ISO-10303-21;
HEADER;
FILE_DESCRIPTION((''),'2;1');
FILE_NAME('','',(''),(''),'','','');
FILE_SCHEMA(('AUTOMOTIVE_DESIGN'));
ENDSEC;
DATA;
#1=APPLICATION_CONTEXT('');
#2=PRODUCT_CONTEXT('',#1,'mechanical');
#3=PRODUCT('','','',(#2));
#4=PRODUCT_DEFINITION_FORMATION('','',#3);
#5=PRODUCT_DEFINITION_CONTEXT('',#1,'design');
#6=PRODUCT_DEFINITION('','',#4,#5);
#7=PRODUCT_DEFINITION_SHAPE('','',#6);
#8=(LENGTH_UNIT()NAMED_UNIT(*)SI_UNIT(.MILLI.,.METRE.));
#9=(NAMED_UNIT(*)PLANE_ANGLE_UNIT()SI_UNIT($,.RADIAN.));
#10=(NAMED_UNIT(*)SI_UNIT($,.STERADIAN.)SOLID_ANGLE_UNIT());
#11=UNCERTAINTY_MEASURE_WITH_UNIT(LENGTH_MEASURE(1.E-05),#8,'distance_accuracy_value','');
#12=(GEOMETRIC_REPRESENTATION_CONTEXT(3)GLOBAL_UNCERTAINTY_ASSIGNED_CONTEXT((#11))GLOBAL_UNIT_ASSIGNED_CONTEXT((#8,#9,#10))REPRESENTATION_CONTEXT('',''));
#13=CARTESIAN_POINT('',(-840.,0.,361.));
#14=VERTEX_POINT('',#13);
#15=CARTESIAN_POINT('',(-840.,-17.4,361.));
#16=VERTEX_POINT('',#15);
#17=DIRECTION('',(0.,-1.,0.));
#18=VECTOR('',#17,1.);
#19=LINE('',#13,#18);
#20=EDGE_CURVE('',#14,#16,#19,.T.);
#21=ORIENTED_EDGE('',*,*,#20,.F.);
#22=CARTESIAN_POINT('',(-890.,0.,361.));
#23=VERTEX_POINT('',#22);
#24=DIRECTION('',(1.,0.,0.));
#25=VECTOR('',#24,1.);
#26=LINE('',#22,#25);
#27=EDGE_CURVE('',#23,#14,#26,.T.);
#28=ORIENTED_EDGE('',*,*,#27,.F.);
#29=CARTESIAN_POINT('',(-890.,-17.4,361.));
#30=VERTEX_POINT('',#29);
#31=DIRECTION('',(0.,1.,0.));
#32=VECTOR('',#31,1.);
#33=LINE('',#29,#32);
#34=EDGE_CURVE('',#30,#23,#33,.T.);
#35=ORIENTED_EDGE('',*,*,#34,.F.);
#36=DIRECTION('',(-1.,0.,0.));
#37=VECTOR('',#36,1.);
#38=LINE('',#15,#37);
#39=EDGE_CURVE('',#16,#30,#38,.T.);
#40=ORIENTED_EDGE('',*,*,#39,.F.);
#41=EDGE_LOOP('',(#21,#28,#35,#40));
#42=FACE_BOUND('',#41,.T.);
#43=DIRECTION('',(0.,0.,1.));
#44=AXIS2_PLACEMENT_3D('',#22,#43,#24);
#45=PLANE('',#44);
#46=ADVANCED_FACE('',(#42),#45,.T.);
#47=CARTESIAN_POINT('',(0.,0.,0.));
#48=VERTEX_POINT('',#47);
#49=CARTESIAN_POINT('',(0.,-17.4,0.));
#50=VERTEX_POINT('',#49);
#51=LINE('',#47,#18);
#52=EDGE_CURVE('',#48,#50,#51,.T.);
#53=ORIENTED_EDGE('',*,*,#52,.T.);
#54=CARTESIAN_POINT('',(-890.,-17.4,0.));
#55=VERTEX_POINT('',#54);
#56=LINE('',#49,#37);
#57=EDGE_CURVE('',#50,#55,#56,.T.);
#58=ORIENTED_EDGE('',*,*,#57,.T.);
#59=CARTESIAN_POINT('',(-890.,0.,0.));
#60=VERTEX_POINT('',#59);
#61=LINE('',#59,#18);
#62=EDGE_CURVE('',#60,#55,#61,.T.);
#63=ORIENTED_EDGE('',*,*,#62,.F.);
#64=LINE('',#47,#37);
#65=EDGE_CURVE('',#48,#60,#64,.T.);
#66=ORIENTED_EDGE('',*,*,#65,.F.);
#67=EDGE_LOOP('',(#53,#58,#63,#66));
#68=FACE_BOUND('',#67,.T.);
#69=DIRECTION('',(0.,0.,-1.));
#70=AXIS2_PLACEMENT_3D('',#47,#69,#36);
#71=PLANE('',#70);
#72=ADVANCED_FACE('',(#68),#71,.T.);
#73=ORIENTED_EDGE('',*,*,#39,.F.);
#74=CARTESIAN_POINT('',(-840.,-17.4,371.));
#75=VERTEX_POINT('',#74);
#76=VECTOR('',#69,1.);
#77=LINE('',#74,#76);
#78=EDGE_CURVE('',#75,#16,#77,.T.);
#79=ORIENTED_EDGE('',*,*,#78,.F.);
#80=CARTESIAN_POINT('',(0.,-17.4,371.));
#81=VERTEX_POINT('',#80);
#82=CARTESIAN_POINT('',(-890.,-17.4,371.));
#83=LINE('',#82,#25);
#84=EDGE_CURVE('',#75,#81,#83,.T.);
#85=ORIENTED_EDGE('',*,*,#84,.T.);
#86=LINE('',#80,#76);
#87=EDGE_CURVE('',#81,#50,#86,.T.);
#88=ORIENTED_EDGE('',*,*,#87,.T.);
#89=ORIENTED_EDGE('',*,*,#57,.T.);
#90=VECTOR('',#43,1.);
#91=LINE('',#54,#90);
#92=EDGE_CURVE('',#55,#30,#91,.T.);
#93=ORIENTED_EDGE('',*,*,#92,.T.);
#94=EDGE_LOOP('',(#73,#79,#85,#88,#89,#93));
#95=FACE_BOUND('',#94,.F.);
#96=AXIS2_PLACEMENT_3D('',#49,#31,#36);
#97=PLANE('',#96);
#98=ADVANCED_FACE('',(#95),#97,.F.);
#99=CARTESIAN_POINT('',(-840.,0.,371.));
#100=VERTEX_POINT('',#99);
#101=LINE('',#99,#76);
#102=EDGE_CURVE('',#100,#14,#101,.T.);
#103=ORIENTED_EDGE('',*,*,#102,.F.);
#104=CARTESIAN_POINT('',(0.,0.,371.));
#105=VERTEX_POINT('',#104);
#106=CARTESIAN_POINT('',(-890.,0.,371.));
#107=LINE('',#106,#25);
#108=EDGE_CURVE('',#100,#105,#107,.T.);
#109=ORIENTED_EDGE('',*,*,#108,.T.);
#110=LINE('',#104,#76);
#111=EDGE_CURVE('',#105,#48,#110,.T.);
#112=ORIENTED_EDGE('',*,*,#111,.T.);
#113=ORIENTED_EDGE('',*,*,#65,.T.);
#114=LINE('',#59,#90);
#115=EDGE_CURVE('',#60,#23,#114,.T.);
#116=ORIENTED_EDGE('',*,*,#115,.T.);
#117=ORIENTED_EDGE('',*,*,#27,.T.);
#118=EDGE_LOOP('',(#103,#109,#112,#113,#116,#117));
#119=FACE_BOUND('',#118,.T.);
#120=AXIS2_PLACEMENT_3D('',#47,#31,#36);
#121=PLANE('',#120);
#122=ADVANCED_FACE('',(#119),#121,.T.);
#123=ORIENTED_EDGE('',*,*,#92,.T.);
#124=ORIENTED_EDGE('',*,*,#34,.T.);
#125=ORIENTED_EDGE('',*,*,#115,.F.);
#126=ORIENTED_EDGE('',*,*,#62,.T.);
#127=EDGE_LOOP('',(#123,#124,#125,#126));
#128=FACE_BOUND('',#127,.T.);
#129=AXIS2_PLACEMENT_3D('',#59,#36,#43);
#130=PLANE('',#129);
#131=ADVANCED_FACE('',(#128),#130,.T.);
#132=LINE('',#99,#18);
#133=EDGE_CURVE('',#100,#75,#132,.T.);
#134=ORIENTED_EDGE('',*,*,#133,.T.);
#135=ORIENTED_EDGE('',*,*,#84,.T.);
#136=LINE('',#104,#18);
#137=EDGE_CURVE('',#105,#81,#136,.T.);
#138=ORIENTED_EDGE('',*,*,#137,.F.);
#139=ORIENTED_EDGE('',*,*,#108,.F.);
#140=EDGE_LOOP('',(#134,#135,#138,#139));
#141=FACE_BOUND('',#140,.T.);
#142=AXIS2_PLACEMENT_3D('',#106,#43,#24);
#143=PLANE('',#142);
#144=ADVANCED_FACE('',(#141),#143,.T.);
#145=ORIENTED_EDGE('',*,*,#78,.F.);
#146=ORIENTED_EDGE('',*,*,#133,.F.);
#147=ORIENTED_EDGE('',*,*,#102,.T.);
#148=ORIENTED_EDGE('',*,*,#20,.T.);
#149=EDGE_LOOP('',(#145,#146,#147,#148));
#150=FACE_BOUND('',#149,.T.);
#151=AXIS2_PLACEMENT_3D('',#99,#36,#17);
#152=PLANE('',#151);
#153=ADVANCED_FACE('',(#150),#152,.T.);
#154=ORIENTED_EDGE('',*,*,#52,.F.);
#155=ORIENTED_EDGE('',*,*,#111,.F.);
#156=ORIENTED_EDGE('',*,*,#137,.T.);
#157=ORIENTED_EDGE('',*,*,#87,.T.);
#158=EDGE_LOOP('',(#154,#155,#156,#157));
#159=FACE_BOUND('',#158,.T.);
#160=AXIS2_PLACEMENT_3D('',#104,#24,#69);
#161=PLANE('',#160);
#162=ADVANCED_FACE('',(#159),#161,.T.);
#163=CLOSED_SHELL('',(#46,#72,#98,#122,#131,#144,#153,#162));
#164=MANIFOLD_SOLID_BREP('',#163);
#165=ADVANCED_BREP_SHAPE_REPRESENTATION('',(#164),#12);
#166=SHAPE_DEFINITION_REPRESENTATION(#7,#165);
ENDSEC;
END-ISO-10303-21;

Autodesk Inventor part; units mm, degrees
ref_plane "YZ Plane" through (0, 0, 0) normal (1, 0, 0) x (0, 1, 0)
ref_plane "XZ Plane" through (0, 0, 0) normal (0, 1, 0) x (-1, 0, 0)
ref_plane "XY Plane" through (0, 0, 0) normal (0, 0, 1) x (1, 0, 0)
sketch "Эскиз1" plane through (0, 0, 0) normal (0, 1, 0) x (-1, 0, 0)
  line L0 (0, 0) -> (890, 0)
  line L1 (890, 0) -> (890, 371)
  line L2 (890, 371) -> (0, 371)
  line L3 (0, 371) -> (0, 0)
  dimension "ШИРИНА" = 371
  dimension "ДЛИНА" = 890
extrude "Выдавливание1" add sketch "Эскиз1" against normal blind 17.4
sketch "Эскиз2" plane through (-890, 0, 371) normal (0, 0, 1) x (1, 0, 0)
  line L0 (0, 0) -> (890, 0) construction
  line L1 (0, 0) -> (0, -17.4) construction
  line L2 (890, -17.4) -> (0, -17.4) construction
  line L3 (890, 0) -> (890, -17.4) construction
  line L4 (0, 0) -> (50, 0)
  line L5 (50, 0) -> (50, -17.4)
  line L6 (50, -17.4) -> (0, -17.4)
  line L7 (0, -17.4) -> (0, 0)
  point P0 (890, 0)
  dimension "d4" = 50
extrude "Выдавливание2" cut sketch "Эскиз2" against normal blind 10
equation "\"ДЛИНА\" = пДлПроступи - пОтступПодступ"
equation "\"ТОЛЩВЫС\" = пТолПодступенка"
equation "\"d4\" = пОтступШипа"
equation "\"d5\" = пШипПодступ"
equation "\"пДлПроступи\" = 900"
equation "\"пПодъем\" = 162.5"
equation "\"пХод\" = 296.8"
equation "\"пЭффШаг\" = 621.8"
equation "\"пСвес\" = 30.2"
equation "\"пОтступСтен\" = 5"
equation "\"пДиаг\" = 338.3733"
equation "\"пШирПроступи\" = 327"
equation "\"пТолПодступенка\" = 17.4"
equation "\"пШипПодступ\" = 10"
equation "\"пОтступШипа\" = 50"
equation "\"пГлубПаза\" = 12"
equation "\"пОтступПодступ\" = 10"
equation "\"пОтступОтСтен\" = 5"
equation "\"пТолПричала\" = 17.4"
properties part number "Причал фанера" material "Ясень"
